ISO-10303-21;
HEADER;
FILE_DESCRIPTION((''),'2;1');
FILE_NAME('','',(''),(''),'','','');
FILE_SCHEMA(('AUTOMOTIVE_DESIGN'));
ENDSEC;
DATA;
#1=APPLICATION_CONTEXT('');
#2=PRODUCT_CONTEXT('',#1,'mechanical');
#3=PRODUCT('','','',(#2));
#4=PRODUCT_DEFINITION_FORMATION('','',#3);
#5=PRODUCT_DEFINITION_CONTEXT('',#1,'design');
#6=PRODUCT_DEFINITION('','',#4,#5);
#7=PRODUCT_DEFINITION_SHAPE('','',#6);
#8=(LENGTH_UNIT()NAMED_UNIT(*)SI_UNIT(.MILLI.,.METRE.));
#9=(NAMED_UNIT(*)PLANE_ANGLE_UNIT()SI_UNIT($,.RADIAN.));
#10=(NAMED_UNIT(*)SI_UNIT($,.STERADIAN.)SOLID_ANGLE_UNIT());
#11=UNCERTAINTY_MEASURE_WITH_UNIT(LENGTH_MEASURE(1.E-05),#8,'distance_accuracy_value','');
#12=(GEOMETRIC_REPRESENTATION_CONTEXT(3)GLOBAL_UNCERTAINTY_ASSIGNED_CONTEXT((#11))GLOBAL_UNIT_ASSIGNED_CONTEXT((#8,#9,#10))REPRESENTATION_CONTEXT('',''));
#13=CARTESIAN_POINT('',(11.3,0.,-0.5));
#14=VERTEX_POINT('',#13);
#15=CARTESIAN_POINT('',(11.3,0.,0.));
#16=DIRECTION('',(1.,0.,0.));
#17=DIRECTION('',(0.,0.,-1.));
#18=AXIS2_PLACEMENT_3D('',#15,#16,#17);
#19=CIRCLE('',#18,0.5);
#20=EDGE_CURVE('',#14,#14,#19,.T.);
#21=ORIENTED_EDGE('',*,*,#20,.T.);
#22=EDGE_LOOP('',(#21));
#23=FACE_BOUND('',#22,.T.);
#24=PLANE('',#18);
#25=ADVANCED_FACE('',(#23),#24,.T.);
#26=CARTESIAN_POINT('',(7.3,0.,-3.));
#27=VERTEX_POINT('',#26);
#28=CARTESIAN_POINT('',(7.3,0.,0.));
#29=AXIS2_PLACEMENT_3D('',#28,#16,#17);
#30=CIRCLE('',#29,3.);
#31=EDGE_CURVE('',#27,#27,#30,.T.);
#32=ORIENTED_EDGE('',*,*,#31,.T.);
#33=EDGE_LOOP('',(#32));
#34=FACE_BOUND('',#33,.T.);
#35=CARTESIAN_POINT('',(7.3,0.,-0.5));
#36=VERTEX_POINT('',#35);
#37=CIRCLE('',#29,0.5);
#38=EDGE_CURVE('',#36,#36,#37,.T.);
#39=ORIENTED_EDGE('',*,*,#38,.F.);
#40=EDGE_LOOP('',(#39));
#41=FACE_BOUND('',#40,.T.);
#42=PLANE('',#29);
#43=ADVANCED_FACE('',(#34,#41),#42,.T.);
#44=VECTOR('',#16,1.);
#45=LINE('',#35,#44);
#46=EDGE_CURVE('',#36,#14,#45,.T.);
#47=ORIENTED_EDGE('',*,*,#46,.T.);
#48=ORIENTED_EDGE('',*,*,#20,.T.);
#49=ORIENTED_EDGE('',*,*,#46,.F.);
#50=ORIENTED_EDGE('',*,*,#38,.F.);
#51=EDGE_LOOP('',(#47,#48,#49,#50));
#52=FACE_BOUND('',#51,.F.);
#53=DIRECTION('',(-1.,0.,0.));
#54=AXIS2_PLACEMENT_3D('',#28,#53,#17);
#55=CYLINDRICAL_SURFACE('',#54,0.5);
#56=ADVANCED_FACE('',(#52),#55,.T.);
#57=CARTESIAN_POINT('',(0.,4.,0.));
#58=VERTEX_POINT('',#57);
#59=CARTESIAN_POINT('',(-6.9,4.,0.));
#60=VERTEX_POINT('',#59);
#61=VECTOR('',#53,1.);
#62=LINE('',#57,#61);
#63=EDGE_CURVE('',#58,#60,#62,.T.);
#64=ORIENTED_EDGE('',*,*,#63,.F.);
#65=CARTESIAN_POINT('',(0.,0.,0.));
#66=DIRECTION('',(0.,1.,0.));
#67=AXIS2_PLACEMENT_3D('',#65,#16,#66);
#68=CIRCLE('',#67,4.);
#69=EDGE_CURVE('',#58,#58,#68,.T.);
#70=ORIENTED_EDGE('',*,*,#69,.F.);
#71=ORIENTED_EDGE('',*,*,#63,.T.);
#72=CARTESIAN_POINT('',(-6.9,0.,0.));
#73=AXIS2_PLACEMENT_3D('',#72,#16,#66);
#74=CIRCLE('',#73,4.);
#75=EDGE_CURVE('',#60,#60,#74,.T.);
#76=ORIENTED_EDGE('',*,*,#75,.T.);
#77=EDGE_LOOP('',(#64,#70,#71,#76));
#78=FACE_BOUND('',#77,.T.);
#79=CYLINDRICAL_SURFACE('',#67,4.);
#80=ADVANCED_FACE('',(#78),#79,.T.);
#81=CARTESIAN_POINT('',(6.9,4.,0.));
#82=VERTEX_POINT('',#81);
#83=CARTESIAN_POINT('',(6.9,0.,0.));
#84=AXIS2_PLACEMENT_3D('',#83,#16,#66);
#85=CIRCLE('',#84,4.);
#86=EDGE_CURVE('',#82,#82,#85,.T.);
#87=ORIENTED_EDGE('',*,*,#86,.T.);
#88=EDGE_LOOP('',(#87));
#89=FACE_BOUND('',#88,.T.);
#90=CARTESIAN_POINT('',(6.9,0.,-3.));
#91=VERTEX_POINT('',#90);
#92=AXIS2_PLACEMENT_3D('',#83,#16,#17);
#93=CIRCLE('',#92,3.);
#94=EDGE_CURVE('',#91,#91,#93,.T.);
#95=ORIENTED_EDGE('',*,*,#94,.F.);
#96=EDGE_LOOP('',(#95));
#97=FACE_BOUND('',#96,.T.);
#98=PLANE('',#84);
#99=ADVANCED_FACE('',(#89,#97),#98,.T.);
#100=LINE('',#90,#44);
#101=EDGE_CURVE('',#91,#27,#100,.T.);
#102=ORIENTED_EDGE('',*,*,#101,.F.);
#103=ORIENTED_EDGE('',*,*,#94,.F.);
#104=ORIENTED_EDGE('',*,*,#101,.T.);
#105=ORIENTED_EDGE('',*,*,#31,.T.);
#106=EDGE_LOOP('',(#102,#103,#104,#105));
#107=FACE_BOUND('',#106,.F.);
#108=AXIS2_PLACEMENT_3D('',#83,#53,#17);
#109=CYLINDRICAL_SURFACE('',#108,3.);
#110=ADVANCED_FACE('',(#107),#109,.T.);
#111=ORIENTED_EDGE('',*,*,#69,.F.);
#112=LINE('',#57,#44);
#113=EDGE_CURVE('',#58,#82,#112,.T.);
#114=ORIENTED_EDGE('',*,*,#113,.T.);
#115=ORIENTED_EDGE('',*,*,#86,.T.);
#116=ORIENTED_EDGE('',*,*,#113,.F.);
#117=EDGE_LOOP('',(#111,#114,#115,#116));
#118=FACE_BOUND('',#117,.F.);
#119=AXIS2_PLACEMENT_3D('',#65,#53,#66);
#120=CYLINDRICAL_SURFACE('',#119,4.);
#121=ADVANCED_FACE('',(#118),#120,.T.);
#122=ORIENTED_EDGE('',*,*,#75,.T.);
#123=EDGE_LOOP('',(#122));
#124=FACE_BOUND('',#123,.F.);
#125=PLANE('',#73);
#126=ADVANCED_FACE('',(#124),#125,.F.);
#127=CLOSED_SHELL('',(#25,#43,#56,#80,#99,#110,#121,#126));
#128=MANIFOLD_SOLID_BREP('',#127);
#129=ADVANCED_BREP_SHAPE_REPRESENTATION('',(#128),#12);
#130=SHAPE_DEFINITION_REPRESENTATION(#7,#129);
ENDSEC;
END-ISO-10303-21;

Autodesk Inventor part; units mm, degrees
ref_plane "YZ Plane" through (0, 0, 0) normal (1, 0, 0) x (0, 1, 0)
ref_plane "XZ Plane" through (0, 0, 0) normal (0, 1, 0) x (-1, 0, 0)
ref_plane "XY Plane" through (0, 0, 0) normal (0, 0, 1) x (1, 0, 0)
sketch "Sketch1" plane through (0, 0, 0) normal (1, 0, 0) x (0, 1, 0)
  circle A0 centre (0, 0) radius 4
  dimension "d0" = 8
extrude "Extrusion1" add sketch "Sketch1" along normal mid plane 13.8
sketch "Sketch2" plane through (6.9, 0, 0) normal (1, 0, 0) x (0, 0, -1)
  circle A0 centre (0, 0) radius 3
  dimension "d3" = 6
extrude "Extrusion2" add sketch "Sketch2" along normal blind 0.4
sketch "Sketch3" plane through (7.3, 0, 0) normal (1, 0, 0) x (0, 0, -1)
  circle A0 centre (0, 0) radius 0.5
  dimension "d6" = 1
extrude "Extrusion3" add sketch "Sketch3" along normal blind 4
properties part number "AM0820 Stepper"
